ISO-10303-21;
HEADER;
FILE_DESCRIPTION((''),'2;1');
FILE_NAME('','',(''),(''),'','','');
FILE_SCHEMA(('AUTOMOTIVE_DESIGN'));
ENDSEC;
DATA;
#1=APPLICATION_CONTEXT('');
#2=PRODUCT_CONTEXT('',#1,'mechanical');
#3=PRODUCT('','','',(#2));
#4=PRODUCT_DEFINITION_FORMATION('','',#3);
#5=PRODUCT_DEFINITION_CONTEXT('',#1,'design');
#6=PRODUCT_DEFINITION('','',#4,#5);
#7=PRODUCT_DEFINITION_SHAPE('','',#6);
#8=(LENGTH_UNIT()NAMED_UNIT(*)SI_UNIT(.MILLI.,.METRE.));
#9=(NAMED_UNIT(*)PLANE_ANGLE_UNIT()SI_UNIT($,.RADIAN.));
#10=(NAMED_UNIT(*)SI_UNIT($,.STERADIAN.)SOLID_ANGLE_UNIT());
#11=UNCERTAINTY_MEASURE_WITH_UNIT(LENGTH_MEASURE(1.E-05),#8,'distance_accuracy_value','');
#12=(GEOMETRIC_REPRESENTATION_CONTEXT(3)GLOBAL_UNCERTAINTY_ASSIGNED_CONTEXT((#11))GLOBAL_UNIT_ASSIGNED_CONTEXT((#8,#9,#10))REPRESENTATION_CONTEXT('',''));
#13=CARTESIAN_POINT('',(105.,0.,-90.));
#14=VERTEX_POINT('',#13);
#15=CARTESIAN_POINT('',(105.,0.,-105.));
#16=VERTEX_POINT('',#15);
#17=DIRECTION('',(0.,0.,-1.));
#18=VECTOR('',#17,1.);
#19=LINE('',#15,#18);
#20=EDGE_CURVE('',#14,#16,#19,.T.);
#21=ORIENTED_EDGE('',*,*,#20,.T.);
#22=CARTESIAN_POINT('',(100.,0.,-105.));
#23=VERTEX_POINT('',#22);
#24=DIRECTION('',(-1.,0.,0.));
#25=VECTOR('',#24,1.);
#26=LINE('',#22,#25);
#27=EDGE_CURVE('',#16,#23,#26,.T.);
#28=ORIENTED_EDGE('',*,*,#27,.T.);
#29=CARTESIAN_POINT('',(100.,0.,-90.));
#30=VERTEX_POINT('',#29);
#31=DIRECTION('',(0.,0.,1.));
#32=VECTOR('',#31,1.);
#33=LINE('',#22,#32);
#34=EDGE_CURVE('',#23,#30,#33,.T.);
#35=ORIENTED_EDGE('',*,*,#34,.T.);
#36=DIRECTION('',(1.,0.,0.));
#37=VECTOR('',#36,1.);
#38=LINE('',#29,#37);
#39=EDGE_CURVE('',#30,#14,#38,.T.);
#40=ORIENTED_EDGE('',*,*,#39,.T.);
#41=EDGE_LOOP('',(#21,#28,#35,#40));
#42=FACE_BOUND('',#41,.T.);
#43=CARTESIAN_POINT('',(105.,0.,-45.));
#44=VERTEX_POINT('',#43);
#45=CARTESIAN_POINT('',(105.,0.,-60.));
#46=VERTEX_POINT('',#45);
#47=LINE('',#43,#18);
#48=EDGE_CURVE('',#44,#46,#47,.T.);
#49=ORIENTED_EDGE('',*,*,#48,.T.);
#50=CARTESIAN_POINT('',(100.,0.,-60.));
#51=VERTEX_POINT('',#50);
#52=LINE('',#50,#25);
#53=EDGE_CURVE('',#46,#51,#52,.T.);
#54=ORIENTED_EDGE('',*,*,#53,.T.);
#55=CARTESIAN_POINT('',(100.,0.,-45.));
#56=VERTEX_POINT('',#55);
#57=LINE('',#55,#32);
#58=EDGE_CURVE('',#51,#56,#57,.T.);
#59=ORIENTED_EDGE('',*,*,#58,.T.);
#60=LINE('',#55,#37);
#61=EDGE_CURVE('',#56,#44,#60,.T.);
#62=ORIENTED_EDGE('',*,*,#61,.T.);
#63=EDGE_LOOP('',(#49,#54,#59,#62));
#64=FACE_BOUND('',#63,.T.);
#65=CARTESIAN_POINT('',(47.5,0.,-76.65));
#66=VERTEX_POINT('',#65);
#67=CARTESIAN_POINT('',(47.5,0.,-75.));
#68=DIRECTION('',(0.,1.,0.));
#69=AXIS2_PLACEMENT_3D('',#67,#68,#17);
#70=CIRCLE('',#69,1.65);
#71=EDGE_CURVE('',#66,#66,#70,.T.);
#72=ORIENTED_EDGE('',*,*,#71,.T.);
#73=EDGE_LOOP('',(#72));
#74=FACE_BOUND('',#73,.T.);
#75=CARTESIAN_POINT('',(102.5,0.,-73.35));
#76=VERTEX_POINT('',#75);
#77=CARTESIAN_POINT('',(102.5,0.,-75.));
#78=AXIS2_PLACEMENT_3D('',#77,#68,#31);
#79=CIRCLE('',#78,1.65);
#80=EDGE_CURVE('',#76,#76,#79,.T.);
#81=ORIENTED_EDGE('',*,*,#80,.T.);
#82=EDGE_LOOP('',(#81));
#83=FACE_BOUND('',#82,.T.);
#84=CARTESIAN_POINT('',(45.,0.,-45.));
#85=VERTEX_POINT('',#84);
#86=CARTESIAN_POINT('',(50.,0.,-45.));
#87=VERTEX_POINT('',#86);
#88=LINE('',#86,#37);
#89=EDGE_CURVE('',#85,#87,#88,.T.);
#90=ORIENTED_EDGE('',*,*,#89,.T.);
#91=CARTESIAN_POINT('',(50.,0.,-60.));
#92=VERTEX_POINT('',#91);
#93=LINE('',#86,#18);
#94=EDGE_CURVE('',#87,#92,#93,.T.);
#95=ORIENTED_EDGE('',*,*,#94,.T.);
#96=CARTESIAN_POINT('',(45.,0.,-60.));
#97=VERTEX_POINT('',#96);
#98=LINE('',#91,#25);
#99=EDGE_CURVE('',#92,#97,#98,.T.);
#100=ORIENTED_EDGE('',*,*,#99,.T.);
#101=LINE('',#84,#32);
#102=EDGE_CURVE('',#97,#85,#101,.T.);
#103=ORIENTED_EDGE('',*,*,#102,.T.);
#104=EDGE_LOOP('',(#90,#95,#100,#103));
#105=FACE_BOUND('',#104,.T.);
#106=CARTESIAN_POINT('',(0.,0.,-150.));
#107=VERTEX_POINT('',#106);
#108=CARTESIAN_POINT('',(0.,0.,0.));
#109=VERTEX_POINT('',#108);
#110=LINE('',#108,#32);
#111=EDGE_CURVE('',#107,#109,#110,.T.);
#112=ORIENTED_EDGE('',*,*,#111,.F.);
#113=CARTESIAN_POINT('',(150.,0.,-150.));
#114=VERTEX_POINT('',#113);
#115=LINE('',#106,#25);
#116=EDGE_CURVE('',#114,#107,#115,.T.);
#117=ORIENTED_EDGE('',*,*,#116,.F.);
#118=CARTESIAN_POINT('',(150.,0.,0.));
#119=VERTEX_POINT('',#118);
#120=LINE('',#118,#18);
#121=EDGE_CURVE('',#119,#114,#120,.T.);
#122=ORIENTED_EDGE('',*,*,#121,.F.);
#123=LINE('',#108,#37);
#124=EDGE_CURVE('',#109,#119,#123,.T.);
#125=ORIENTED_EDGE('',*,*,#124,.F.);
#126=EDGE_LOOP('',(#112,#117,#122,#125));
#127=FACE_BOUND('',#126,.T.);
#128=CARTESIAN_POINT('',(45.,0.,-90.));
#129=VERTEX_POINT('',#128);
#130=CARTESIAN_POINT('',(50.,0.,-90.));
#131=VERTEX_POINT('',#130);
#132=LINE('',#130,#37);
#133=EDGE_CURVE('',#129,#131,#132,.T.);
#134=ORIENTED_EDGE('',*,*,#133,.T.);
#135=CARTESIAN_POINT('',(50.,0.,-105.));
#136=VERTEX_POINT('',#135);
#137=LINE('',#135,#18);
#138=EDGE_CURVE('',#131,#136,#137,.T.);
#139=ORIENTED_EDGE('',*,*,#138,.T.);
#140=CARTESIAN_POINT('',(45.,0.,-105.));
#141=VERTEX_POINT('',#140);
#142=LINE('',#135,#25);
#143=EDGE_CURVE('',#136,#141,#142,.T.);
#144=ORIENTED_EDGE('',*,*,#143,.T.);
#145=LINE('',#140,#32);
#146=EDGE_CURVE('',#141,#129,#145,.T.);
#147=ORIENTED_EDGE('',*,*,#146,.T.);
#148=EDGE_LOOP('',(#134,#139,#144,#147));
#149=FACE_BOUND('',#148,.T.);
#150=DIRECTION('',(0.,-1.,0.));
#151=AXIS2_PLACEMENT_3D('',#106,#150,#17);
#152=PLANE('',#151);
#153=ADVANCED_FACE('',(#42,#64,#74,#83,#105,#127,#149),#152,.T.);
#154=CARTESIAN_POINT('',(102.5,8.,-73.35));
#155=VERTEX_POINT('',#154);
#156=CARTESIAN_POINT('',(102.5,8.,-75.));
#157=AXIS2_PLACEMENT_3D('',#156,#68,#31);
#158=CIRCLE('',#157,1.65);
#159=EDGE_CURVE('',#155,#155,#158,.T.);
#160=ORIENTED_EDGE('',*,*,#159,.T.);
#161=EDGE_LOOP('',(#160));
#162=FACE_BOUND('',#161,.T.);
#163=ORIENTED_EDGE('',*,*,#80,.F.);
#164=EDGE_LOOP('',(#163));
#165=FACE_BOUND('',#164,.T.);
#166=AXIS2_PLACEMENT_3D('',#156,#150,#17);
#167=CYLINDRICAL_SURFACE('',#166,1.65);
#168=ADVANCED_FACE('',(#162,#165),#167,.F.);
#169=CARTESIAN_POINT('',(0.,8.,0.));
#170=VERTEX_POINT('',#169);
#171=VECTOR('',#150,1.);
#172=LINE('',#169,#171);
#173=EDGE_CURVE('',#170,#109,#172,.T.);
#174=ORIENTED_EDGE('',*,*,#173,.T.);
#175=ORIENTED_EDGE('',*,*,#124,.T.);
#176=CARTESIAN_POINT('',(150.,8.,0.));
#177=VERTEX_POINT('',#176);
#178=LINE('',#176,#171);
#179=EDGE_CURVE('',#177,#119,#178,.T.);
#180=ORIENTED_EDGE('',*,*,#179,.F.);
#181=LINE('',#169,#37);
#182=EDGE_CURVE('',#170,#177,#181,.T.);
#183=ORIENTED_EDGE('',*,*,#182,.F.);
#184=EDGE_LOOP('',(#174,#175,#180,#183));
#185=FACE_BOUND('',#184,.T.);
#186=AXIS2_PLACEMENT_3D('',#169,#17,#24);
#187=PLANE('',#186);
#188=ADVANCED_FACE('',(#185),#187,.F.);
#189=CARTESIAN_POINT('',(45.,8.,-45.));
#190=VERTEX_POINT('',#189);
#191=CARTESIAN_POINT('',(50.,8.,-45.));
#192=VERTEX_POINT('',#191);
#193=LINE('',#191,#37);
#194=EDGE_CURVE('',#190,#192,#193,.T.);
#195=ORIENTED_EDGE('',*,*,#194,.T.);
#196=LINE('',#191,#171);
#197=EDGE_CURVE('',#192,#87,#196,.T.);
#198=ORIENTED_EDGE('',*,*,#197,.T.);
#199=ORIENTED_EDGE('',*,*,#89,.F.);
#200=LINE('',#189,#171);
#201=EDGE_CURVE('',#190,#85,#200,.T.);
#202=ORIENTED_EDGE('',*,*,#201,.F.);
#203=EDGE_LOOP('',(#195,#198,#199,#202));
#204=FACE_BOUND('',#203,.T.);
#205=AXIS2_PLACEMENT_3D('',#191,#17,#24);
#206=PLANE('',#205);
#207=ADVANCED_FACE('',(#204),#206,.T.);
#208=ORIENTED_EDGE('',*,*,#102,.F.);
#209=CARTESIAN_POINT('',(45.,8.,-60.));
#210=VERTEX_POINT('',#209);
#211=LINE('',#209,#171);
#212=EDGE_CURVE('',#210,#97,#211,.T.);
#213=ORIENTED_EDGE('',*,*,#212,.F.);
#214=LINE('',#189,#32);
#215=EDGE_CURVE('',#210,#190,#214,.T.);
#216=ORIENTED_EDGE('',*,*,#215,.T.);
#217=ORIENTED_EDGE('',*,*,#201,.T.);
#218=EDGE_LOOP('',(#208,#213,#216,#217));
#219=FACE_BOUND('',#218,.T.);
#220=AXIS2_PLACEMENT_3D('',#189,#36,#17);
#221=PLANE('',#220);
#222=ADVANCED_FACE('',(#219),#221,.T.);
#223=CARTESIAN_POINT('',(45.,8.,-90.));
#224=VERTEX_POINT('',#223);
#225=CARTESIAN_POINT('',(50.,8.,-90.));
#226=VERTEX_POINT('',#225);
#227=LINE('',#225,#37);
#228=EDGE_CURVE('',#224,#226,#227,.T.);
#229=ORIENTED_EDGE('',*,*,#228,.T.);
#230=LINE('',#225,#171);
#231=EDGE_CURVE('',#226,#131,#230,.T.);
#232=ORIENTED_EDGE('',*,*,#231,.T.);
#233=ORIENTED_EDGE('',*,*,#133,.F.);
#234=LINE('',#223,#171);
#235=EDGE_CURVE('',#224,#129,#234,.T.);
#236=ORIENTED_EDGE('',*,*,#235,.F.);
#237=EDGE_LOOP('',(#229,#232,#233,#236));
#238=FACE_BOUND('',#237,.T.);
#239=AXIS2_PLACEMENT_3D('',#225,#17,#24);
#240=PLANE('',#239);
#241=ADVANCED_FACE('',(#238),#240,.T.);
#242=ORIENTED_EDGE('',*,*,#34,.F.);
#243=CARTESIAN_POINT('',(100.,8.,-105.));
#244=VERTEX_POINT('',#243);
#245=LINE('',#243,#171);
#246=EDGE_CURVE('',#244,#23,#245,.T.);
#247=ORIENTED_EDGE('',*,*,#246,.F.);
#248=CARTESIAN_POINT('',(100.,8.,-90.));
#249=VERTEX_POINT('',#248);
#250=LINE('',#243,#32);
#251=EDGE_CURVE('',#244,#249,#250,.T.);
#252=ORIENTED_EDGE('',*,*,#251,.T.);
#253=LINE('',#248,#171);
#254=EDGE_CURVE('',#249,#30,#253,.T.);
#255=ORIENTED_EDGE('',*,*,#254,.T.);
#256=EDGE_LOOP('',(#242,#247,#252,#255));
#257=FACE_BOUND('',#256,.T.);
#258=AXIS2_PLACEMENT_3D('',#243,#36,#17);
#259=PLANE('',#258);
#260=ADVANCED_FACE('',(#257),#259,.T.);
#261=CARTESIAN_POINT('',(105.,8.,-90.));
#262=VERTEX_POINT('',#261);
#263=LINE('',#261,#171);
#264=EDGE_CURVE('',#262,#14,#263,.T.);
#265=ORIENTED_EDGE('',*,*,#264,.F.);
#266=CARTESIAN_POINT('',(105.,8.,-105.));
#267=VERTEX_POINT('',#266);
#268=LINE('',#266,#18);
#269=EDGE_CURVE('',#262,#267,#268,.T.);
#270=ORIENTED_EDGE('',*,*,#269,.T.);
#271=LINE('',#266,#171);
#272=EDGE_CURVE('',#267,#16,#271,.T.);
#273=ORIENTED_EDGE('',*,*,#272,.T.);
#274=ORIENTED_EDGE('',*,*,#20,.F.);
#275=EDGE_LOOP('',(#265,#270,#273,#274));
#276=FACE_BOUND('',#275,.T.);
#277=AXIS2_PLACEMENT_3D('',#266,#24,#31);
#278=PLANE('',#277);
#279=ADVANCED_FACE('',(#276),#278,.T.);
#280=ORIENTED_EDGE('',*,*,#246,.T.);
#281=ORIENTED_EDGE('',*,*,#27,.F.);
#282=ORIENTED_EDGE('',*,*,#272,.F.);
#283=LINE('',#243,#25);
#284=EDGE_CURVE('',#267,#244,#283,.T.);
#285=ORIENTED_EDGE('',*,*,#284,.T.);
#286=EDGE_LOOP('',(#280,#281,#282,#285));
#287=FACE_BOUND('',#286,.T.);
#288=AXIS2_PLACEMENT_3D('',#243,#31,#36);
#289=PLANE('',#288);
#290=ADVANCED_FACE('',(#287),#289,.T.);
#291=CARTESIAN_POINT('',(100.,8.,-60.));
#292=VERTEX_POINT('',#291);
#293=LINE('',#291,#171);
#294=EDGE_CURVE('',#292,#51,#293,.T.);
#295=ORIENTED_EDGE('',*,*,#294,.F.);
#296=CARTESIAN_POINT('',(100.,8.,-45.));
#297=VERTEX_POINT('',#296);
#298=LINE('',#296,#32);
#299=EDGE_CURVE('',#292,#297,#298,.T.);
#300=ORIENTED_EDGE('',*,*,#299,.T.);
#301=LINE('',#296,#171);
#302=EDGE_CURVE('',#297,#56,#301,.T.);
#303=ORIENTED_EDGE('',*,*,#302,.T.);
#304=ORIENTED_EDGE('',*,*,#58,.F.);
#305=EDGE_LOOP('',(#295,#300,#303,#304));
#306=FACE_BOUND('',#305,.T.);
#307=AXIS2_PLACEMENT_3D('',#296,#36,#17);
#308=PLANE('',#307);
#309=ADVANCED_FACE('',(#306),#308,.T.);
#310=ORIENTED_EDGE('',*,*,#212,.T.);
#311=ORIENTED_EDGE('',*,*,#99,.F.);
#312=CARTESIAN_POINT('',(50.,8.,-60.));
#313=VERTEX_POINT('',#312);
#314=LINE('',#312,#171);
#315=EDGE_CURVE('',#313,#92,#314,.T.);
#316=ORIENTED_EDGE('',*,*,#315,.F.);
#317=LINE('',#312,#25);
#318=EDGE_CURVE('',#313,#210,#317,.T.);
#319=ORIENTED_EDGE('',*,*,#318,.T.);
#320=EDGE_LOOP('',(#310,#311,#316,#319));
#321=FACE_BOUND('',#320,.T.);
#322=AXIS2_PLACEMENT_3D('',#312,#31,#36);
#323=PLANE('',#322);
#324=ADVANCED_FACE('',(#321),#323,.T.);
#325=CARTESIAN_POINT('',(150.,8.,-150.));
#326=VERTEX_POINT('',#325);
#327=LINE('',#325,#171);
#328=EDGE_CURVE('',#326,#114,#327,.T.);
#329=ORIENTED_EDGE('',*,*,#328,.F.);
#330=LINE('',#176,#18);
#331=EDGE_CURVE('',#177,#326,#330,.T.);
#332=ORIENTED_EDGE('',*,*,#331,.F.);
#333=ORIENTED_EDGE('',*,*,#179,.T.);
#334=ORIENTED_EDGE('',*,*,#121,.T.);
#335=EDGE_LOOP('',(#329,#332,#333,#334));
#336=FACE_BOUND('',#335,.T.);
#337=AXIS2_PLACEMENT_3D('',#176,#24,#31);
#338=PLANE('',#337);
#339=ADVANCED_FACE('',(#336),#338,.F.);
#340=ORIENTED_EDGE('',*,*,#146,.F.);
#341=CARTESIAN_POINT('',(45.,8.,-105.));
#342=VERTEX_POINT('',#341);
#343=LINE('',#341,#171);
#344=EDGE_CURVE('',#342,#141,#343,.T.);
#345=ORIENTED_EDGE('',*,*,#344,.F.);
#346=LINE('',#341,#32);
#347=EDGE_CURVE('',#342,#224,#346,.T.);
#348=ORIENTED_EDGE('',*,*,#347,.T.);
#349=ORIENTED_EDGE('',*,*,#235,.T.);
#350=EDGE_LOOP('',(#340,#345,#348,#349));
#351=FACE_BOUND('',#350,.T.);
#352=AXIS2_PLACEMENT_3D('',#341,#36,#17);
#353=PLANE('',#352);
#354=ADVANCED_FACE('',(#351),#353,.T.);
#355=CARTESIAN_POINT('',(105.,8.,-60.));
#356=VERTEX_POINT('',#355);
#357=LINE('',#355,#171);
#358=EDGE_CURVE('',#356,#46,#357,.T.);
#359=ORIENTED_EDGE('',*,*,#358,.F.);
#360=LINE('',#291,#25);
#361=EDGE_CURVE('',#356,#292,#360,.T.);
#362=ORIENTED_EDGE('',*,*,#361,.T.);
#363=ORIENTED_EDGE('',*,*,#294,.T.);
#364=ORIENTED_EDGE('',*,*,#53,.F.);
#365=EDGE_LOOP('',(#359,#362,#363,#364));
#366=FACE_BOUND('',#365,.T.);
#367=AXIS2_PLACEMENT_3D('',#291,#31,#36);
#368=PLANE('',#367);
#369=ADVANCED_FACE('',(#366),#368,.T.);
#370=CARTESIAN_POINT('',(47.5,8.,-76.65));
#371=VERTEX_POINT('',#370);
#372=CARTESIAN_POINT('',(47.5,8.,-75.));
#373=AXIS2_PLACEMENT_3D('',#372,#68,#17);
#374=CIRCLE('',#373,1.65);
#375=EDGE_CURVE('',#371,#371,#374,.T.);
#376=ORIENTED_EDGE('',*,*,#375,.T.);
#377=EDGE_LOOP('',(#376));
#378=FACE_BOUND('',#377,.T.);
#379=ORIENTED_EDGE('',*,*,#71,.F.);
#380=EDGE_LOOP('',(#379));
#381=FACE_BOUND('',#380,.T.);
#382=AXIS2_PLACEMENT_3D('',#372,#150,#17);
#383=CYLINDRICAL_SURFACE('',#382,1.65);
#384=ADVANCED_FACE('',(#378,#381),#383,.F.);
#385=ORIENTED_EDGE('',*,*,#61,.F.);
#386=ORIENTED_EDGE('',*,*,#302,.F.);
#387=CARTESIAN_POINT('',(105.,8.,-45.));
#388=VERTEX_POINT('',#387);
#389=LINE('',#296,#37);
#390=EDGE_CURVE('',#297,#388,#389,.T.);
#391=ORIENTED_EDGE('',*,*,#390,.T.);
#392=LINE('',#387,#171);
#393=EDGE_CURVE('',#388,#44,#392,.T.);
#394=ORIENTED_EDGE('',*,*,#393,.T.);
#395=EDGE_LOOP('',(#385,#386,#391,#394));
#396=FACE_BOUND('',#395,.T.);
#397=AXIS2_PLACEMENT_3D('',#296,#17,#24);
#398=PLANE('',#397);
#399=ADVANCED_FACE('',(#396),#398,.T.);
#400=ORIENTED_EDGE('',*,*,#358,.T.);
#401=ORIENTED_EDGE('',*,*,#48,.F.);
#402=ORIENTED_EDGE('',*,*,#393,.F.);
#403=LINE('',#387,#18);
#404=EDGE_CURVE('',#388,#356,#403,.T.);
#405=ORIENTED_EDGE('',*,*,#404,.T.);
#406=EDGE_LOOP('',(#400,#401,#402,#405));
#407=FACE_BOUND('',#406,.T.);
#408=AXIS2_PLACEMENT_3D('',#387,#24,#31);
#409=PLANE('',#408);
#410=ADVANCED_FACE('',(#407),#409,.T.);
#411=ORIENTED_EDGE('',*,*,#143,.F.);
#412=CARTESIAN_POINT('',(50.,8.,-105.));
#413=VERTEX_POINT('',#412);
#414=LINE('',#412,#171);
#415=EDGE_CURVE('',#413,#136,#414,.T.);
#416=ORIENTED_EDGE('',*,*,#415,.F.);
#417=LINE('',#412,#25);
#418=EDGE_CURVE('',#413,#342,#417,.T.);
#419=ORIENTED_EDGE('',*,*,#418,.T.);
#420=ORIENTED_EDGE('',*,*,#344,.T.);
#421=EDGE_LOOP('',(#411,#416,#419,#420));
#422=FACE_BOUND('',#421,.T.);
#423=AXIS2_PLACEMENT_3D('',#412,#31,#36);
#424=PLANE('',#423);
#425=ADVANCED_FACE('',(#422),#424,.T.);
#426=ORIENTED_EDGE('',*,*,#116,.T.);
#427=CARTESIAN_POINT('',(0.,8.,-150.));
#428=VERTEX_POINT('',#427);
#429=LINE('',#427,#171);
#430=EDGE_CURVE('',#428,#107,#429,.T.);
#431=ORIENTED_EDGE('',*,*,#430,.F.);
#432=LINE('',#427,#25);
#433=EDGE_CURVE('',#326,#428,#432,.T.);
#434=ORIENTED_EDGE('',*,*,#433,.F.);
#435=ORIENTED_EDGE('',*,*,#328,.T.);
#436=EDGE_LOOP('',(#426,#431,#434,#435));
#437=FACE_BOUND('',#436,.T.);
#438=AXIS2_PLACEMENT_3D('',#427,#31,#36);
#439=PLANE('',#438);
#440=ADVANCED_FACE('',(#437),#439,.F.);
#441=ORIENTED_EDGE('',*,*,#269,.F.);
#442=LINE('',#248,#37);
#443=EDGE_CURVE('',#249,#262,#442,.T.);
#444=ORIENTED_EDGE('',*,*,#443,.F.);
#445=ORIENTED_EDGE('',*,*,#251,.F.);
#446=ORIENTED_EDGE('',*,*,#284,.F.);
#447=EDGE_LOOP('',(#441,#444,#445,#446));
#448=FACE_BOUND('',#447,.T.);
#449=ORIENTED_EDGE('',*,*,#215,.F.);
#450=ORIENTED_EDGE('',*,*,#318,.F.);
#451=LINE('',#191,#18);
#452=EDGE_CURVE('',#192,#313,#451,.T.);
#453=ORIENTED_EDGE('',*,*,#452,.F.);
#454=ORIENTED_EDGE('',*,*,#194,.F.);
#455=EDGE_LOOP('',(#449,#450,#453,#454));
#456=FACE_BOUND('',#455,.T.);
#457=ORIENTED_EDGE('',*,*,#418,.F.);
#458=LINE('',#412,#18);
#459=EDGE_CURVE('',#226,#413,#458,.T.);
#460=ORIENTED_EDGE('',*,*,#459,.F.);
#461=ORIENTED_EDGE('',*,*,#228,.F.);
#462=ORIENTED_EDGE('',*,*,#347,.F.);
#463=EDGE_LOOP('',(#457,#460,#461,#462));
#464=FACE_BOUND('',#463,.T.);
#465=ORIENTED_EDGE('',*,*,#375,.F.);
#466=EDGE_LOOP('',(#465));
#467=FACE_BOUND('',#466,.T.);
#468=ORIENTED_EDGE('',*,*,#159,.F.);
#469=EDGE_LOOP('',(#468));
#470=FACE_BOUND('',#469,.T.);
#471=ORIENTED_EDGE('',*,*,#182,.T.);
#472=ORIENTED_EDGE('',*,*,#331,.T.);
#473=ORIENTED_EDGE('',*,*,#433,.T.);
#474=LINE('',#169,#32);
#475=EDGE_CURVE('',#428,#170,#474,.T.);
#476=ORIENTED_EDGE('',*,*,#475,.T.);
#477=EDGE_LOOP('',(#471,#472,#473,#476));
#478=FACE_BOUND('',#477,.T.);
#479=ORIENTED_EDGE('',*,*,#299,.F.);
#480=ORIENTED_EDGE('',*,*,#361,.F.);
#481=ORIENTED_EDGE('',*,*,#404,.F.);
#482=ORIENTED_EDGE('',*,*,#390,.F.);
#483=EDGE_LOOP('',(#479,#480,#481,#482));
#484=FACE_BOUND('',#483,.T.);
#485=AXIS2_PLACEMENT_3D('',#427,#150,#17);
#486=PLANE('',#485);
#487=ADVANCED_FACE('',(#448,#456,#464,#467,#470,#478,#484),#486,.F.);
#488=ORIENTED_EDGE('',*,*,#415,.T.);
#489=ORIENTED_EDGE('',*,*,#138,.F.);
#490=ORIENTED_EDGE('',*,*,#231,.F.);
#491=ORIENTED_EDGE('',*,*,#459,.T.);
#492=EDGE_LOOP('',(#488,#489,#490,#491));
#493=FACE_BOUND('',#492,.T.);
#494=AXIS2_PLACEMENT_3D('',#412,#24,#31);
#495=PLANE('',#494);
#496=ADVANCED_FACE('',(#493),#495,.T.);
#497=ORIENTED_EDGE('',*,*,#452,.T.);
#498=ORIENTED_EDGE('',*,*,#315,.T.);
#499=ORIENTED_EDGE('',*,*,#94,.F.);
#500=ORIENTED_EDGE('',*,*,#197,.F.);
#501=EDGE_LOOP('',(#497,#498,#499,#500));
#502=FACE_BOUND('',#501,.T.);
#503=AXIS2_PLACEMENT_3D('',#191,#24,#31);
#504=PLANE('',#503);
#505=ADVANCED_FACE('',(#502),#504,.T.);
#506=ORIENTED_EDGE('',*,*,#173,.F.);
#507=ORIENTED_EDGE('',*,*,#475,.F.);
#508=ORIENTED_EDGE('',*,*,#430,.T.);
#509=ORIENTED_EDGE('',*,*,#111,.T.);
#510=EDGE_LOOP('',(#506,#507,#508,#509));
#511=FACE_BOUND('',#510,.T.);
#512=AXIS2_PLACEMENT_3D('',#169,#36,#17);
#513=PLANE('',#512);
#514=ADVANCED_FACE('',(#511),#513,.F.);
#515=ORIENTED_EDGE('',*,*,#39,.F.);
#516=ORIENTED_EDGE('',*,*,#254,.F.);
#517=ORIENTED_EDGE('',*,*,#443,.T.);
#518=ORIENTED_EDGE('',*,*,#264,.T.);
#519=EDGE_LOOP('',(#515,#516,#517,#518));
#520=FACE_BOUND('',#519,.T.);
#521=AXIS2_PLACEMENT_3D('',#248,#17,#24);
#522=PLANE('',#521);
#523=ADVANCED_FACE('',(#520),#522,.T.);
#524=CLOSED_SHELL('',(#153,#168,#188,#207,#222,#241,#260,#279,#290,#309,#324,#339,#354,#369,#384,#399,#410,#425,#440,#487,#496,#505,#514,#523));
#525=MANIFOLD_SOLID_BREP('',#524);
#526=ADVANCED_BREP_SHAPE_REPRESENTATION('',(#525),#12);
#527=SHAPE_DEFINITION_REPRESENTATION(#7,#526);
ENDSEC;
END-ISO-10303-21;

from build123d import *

# Parameters (mm, degrees)
SKETCH1_W           = 150
SKETCH1_H           = 150
SKETCH1_R           = 1.65
SKETCH1_W_2         = 5
SKETCH1_H_2         = 15
BOSS_EXTRUDE1_DEPTH = 8


with BuildPart() as part:
    # Sketch1 → Boss-Extrude1 (new body)
    with BuildSketch(Plane(origin=(0, 0, 0), x_dir=(1, 0, 0), z_dir=(0, 1, 0))):
        with Locations((75, 75)):
            Rectangle(SKETCH1_W, SKETCH1_H)
        with Locations((102.5, 75)):
            Circle(SKETCH1_R, mode=Mode.SUBTRACT)
        with Locations((47.5, 75)):
            Circle(SKETCH1_R, mode=Mode.SUBTRACT)
        with Locations((102.5, 52.5)):
            Rectangle(SKETCH1_W_2, SKETCH1_H_2, mode=Mode.SUBTRACT)
        with Locations((102.5, 97.5)):
            Rectangle(SKETCH1_W_2, SKETCH1_H_2, mode=Mode.SUBTRACT)
        with Locations((47.5, 52.5)):
            Rectangle(SKETCH1_W_2, SKETCH1_H_2, mode=Mode.SUBTRACT)
        with Locations((47.5, 97.5)):
            Rectangle(SKETCH1_W_2, SKETCH1_H_2, mode=Mode.SUBTRACT)
    extrude(amount=BOSS_EXTRUDE1_DEPTH)


solid = part.part
